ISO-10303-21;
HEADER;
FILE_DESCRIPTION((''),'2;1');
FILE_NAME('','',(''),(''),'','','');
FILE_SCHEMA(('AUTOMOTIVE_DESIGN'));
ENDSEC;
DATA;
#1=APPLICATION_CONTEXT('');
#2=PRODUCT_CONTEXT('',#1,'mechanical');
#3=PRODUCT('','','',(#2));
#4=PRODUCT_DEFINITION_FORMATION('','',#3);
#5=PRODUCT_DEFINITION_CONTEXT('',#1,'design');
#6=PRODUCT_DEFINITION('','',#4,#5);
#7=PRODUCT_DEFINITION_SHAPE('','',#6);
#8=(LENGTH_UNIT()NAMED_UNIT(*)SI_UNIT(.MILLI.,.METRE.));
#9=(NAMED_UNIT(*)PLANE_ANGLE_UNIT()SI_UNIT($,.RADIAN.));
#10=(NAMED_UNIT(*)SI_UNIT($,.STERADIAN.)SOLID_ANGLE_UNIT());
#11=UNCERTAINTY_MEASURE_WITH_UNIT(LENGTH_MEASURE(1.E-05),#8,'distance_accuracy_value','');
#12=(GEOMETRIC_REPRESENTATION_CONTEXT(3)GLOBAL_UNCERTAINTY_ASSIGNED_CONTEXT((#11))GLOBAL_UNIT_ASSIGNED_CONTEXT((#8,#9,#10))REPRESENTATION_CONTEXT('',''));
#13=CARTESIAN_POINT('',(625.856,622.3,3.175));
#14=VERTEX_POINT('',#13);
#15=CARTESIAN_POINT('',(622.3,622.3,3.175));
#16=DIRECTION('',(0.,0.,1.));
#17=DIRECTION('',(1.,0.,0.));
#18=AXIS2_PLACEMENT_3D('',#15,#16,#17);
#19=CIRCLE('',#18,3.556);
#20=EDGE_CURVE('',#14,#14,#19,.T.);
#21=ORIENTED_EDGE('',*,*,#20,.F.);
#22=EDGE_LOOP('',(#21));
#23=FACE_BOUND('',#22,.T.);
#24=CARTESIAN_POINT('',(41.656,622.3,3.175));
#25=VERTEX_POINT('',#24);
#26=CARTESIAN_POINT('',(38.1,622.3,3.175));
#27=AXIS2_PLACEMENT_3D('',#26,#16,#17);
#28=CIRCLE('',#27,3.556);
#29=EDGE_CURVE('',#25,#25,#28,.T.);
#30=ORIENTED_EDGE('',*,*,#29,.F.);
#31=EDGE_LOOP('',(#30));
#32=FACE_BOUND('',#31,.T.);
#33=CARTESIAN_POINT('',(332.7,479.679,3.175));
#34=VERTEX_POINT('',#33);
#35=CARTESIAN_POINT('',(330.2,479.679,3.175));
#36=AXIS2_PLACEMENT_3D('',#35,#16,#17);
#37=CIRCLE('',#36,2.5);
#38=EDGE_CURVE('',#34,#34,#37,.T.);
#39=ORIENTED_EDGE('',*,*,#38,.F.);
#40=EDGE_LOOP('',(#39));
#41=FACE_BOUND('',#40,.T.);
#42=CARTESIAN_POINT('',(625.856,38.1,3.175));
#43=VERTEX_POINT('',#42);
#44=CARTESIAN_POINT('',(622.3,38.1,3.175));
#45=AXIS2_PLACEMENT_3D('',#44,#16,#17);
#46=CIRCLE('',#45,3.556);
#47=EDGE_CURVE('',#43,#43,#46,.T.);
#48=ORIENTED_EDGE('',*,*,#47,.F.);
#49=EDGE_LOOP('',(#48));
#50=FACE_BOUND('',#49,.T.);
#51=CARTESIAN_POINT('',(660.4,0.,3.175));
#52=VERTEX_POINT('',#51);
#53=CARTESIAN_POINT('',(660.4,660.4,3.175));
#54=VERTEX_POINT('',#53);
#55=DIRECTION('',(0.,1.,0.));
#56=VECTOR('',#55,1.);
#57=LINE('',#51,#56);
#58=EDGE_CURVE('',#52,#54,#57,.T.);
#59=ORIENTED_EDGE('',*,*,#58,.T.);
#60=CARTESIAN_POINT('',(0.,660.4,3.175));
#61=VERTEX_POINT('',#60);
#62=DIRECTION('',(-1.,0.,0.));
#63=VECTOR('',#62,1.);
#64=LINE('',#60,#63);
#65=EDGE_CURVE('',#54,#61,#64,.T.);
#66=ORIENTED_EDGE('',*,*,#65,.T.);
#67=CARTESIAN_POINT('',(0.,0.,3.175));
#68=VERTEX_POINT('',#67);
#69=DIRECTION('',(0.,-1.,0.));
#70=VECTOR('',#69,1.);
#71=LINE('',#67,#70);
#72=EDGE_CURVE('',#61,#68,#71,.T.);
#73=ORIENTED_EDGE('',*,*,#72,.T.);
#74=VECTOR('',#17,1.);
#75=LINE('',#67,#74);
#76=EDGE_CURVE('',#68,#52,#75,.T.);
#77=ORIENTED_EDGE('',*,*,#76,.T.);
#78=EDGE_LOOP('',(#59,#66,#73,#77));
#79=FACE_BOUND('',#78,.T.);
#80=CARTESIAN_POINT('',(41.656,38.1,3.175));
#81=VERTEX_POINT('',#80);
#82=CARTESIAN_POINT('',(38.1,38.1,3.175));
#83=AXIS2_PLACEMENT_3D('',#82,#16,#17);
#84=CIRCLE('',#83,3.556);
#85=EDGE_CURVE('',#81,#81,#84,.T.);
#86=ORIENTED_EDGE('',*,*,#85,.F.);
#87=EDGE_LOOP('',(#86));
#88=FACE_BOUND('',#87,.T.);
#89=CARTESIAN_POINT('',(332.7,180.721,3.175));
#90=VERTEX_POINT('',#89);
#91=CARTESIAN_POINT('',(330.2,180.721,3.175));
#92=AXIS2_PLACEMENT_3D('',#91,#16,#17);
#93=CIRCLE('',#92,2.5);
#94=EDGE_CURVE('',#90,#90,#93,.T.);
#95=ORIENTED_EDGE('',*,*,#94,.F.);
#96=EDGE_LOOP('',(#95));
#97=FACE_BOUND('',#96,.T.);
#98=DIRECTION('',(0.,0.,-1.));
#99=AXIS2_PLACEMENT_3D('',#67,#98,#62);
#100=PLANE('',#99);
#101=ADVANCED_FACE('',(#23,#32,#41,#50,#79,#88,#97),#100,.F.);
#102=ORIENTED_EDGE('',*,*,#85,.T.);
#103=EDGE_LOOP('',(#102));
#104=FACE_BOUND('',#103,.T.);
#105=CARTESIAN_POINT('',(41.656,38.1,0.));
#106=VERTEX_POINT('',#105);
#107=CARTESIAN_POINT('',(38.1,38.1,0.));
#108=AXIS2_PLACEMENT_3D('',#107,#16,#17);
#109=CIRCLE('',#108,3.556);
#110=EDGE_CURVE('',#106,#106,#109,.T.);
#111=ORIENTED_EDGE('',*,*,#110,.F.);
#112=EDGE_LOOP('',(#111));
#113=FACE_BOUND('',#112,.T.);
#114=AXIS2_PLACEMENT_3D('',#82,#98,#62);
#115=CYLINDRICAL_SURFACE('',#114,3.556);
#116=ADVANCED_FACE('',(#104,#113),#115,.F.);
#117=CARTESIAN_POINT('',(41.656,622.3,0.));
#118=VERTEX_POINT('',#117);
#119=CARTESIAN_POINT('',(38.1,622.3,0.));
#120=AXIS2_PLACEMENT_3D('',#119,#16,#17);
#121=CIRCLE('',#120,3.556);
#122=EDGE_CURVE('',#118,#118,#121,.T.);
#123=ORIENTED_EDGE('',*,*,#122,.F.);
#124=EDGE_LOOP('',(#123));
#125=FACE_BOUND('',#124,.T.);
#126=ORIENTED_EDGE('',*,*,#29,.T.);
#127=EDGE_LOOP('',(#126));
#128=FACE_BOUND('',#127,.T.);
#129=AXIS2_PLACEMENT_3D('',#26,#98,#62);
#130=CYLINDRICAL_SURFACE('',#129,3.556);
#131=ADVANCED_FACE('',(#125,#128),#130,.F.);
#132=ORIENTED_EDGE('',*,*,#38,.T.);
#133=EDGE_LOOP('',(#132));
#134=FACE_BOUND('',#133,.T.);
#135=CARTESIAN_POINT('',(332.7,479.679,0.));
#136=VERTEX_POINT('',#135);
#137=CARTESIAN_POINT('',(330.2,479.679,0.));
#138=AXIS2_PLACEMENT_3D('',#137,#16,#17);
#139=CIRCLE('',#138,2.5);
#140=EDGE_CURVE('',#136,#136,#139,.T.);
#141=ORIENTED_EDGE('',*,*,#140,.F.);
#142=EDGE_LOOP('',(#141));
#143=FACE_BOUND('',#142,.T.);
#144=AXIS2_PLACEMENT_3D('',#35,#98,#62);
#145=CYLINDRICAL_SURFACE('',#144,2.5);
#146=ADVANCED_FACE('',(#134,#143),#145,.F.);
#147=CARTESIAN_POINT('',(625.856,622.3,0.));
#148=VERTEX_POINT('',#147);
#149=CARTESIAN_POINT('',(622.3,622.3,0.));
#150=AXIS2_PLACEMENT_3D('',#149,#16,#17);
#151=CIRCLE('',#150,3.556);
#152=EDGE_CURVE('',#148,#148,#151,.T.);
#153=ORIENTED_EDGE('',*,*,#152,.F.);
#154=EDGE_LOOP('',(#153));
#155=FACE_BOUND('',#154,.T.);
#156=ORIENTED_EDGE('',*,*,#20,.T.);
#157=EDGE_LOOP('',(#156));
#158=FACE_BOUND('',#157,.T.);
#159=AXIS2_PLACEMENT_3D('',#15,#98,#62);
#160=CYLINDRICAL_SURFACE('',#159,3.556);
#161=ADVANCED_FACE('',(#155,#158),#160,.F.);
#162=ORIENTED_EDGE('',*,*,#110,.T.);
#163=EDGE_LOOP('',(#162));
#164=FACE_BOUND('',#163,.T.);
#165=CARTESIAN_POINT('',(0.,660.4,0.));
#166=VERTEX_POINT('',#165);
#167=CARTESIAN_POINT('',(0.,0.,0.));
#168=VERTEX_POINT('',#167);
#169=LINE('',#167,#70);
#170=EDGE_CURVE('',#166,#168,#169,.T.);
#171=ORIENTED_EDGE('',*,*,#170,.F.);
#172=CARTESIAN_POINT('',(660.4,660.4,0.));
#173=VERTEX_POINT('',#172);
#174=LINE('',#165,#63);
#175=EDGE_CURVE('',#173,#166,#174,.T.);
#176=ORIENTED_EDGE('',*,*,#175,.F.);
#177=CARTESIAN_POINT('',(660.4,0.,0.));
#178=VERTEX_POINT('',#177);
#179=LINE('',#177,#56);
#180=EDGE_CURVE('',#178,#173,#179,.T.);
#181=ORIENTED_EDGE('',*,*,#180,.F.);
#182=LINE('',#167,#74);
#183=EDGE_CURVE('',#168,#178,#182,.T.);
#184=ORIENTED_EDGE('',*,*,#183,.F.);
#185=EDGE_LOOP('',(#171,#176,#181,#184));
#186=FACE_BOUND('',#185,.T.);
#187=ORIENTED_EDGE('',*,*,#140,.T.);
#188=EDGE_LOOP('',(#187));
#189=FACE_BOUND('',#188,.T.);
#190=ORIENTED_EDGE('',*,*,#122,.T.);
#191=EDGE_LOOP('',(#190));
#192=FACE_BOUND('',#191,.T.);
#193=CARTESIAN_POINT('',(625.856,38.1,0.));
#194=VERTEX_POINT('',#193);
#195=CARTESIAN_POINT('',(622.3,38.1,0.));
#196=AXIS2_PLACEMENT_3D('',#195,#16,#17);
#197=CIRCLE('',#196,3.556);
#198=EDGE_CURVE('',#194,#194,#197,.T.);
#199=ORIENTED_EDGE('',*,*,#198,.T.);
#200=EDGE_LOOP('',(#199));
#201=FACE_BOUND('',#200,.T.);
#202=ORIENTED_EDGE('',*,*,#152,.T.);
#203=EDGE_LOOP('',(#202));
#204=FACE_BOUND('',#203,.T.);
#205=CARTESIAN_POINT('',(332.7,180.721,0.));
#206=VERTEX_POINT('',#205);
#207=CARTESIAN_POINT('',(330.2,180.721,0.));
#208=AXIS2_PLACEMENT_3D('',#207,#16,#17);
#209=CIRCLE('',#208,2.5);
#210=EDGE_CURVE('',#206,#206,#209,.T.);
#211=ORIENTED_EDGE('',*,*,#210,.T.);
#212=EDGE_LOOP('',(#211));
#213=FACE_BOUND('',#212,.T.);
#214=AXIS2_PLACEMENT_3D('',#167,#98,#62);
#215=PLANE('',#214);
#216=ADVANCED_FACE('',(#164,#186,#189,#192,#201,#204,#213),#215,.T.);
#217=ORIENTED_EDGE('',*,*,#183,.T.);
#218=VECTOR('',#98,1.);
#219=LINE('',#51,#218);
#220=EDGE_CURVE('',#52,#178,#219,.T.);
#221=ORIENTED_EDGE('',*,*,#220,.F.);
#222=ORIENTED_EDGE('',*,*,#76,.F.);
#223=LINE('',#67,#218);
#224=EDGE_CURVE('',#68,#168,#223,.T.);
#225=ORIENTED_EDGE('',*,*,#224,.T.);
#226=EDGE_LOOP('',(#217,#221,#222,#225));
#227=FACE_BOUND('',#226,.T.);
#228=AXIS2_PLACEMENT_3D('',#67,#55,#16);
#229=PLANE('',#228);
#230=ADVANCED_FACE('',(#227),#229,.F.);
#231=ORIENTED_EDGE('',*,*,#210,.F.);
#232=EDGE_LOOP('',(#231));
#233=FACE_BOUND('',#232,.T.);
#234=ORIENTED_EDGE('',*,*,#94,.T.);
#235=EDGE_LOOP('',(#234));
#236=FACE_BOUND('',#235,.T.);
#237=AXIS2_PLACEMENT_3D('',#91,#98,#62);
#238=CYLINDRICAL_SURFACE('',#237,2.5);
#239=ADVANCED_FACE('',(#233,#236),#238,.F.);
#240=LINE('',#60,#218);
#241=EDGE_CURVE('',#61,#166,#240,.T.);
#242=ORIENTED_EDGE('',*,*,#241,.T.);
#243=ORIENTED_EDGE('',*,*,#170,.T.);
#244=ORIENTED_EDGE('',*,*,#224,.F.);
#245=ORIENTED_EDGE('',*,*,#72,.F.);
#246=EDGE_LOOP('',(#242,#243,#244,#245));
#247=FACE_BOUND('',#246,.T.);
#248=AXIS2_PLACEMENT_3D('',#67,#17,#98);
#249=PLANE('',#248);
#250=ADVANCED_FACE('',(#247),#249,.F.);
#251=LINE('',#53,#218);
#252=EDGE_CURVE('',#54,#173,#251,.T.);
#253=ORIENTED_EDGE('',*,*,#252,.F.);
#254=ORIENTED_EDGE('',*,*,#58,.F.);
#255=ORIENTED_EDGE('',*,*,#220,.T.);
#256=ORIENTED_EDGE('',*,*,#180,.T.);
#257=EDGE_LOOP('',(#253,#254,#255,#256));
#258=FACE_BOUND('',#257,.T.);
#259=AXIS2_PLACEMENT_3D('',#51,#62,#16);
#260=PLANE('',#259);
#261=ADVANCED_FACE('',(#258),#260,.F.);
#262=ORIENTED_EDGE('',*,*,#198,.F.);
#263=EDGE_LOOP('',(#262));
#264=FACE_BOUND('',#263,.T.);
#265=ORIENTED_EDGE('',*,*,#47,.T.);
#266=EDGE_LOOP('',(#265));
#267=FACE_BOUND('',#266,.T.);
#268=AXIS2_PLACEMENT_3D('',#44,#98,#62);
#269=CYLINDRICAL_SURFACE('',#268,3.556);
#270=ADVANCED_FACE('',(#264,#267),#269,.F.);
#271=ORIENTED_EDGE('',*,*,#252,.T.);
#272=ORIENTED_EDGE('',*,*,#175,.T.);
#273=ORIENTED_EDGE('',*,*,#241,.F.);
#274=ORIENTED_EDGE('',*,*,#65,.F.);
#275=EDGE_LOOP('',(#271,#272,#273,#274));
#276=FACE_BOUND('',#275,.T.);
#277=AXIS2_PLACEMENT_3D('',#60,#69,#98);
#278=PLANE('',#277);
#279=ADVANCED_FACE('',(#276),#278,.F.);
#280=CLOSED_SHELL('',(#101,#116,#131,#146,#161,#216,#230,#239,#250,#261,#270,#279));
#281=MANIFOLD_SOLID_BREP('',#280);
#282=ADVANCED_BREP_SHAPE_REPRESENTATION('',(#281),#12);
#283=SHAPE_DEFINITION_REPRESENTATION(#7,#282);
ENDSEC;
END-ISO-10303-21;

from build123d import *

# Parameters (mm, degrees)
SKETCH1_W           = 660.4
SKETCH1_H           = 660.4
SKETCH1_R           = 2.5
SKETCH1_R_2         = 3.556
BOSS_EXTRUDE1_DEPTH = 3.175


with BuildPart() as part:
    # Sketch1 → Boss-Extrude1 (new body)
    with BuildSketch(Plane.XY):
        with Locations((330.2, 330.2)):
            Rectangle(SKETCH1_W, SKETCH1_H)
        with Locations((330.2, 479.679)):
            Circle(SKETCH1_R, mode=Mode.SUBTRACT)
        with Locations((330.2, 180.721)):
            Circle(SKETCH1_R, mode=Mode.SUBTRACT)
        with Locations((38.1, 622.3)):
            Circle(SKETCH1_R_2, mode=Mode.SUBTRACT)
        with Locations((622.3, 622.3)):
            Circle(SKETCH1_R_2, mode=Mode.SUBTRACT)
        with Locations((622.3, 38.1)):
            Circle(SKETCH1_R_2, mode=Mode.SUBTRACT)
        with Locations((38.1, 38.1)):
            Circle(SKETCH1_R_2, mode=Mode.SUBTRACT)
    extrude(amount=BOSS_EXTRUDE1_DEPTH)


solid = part.part
